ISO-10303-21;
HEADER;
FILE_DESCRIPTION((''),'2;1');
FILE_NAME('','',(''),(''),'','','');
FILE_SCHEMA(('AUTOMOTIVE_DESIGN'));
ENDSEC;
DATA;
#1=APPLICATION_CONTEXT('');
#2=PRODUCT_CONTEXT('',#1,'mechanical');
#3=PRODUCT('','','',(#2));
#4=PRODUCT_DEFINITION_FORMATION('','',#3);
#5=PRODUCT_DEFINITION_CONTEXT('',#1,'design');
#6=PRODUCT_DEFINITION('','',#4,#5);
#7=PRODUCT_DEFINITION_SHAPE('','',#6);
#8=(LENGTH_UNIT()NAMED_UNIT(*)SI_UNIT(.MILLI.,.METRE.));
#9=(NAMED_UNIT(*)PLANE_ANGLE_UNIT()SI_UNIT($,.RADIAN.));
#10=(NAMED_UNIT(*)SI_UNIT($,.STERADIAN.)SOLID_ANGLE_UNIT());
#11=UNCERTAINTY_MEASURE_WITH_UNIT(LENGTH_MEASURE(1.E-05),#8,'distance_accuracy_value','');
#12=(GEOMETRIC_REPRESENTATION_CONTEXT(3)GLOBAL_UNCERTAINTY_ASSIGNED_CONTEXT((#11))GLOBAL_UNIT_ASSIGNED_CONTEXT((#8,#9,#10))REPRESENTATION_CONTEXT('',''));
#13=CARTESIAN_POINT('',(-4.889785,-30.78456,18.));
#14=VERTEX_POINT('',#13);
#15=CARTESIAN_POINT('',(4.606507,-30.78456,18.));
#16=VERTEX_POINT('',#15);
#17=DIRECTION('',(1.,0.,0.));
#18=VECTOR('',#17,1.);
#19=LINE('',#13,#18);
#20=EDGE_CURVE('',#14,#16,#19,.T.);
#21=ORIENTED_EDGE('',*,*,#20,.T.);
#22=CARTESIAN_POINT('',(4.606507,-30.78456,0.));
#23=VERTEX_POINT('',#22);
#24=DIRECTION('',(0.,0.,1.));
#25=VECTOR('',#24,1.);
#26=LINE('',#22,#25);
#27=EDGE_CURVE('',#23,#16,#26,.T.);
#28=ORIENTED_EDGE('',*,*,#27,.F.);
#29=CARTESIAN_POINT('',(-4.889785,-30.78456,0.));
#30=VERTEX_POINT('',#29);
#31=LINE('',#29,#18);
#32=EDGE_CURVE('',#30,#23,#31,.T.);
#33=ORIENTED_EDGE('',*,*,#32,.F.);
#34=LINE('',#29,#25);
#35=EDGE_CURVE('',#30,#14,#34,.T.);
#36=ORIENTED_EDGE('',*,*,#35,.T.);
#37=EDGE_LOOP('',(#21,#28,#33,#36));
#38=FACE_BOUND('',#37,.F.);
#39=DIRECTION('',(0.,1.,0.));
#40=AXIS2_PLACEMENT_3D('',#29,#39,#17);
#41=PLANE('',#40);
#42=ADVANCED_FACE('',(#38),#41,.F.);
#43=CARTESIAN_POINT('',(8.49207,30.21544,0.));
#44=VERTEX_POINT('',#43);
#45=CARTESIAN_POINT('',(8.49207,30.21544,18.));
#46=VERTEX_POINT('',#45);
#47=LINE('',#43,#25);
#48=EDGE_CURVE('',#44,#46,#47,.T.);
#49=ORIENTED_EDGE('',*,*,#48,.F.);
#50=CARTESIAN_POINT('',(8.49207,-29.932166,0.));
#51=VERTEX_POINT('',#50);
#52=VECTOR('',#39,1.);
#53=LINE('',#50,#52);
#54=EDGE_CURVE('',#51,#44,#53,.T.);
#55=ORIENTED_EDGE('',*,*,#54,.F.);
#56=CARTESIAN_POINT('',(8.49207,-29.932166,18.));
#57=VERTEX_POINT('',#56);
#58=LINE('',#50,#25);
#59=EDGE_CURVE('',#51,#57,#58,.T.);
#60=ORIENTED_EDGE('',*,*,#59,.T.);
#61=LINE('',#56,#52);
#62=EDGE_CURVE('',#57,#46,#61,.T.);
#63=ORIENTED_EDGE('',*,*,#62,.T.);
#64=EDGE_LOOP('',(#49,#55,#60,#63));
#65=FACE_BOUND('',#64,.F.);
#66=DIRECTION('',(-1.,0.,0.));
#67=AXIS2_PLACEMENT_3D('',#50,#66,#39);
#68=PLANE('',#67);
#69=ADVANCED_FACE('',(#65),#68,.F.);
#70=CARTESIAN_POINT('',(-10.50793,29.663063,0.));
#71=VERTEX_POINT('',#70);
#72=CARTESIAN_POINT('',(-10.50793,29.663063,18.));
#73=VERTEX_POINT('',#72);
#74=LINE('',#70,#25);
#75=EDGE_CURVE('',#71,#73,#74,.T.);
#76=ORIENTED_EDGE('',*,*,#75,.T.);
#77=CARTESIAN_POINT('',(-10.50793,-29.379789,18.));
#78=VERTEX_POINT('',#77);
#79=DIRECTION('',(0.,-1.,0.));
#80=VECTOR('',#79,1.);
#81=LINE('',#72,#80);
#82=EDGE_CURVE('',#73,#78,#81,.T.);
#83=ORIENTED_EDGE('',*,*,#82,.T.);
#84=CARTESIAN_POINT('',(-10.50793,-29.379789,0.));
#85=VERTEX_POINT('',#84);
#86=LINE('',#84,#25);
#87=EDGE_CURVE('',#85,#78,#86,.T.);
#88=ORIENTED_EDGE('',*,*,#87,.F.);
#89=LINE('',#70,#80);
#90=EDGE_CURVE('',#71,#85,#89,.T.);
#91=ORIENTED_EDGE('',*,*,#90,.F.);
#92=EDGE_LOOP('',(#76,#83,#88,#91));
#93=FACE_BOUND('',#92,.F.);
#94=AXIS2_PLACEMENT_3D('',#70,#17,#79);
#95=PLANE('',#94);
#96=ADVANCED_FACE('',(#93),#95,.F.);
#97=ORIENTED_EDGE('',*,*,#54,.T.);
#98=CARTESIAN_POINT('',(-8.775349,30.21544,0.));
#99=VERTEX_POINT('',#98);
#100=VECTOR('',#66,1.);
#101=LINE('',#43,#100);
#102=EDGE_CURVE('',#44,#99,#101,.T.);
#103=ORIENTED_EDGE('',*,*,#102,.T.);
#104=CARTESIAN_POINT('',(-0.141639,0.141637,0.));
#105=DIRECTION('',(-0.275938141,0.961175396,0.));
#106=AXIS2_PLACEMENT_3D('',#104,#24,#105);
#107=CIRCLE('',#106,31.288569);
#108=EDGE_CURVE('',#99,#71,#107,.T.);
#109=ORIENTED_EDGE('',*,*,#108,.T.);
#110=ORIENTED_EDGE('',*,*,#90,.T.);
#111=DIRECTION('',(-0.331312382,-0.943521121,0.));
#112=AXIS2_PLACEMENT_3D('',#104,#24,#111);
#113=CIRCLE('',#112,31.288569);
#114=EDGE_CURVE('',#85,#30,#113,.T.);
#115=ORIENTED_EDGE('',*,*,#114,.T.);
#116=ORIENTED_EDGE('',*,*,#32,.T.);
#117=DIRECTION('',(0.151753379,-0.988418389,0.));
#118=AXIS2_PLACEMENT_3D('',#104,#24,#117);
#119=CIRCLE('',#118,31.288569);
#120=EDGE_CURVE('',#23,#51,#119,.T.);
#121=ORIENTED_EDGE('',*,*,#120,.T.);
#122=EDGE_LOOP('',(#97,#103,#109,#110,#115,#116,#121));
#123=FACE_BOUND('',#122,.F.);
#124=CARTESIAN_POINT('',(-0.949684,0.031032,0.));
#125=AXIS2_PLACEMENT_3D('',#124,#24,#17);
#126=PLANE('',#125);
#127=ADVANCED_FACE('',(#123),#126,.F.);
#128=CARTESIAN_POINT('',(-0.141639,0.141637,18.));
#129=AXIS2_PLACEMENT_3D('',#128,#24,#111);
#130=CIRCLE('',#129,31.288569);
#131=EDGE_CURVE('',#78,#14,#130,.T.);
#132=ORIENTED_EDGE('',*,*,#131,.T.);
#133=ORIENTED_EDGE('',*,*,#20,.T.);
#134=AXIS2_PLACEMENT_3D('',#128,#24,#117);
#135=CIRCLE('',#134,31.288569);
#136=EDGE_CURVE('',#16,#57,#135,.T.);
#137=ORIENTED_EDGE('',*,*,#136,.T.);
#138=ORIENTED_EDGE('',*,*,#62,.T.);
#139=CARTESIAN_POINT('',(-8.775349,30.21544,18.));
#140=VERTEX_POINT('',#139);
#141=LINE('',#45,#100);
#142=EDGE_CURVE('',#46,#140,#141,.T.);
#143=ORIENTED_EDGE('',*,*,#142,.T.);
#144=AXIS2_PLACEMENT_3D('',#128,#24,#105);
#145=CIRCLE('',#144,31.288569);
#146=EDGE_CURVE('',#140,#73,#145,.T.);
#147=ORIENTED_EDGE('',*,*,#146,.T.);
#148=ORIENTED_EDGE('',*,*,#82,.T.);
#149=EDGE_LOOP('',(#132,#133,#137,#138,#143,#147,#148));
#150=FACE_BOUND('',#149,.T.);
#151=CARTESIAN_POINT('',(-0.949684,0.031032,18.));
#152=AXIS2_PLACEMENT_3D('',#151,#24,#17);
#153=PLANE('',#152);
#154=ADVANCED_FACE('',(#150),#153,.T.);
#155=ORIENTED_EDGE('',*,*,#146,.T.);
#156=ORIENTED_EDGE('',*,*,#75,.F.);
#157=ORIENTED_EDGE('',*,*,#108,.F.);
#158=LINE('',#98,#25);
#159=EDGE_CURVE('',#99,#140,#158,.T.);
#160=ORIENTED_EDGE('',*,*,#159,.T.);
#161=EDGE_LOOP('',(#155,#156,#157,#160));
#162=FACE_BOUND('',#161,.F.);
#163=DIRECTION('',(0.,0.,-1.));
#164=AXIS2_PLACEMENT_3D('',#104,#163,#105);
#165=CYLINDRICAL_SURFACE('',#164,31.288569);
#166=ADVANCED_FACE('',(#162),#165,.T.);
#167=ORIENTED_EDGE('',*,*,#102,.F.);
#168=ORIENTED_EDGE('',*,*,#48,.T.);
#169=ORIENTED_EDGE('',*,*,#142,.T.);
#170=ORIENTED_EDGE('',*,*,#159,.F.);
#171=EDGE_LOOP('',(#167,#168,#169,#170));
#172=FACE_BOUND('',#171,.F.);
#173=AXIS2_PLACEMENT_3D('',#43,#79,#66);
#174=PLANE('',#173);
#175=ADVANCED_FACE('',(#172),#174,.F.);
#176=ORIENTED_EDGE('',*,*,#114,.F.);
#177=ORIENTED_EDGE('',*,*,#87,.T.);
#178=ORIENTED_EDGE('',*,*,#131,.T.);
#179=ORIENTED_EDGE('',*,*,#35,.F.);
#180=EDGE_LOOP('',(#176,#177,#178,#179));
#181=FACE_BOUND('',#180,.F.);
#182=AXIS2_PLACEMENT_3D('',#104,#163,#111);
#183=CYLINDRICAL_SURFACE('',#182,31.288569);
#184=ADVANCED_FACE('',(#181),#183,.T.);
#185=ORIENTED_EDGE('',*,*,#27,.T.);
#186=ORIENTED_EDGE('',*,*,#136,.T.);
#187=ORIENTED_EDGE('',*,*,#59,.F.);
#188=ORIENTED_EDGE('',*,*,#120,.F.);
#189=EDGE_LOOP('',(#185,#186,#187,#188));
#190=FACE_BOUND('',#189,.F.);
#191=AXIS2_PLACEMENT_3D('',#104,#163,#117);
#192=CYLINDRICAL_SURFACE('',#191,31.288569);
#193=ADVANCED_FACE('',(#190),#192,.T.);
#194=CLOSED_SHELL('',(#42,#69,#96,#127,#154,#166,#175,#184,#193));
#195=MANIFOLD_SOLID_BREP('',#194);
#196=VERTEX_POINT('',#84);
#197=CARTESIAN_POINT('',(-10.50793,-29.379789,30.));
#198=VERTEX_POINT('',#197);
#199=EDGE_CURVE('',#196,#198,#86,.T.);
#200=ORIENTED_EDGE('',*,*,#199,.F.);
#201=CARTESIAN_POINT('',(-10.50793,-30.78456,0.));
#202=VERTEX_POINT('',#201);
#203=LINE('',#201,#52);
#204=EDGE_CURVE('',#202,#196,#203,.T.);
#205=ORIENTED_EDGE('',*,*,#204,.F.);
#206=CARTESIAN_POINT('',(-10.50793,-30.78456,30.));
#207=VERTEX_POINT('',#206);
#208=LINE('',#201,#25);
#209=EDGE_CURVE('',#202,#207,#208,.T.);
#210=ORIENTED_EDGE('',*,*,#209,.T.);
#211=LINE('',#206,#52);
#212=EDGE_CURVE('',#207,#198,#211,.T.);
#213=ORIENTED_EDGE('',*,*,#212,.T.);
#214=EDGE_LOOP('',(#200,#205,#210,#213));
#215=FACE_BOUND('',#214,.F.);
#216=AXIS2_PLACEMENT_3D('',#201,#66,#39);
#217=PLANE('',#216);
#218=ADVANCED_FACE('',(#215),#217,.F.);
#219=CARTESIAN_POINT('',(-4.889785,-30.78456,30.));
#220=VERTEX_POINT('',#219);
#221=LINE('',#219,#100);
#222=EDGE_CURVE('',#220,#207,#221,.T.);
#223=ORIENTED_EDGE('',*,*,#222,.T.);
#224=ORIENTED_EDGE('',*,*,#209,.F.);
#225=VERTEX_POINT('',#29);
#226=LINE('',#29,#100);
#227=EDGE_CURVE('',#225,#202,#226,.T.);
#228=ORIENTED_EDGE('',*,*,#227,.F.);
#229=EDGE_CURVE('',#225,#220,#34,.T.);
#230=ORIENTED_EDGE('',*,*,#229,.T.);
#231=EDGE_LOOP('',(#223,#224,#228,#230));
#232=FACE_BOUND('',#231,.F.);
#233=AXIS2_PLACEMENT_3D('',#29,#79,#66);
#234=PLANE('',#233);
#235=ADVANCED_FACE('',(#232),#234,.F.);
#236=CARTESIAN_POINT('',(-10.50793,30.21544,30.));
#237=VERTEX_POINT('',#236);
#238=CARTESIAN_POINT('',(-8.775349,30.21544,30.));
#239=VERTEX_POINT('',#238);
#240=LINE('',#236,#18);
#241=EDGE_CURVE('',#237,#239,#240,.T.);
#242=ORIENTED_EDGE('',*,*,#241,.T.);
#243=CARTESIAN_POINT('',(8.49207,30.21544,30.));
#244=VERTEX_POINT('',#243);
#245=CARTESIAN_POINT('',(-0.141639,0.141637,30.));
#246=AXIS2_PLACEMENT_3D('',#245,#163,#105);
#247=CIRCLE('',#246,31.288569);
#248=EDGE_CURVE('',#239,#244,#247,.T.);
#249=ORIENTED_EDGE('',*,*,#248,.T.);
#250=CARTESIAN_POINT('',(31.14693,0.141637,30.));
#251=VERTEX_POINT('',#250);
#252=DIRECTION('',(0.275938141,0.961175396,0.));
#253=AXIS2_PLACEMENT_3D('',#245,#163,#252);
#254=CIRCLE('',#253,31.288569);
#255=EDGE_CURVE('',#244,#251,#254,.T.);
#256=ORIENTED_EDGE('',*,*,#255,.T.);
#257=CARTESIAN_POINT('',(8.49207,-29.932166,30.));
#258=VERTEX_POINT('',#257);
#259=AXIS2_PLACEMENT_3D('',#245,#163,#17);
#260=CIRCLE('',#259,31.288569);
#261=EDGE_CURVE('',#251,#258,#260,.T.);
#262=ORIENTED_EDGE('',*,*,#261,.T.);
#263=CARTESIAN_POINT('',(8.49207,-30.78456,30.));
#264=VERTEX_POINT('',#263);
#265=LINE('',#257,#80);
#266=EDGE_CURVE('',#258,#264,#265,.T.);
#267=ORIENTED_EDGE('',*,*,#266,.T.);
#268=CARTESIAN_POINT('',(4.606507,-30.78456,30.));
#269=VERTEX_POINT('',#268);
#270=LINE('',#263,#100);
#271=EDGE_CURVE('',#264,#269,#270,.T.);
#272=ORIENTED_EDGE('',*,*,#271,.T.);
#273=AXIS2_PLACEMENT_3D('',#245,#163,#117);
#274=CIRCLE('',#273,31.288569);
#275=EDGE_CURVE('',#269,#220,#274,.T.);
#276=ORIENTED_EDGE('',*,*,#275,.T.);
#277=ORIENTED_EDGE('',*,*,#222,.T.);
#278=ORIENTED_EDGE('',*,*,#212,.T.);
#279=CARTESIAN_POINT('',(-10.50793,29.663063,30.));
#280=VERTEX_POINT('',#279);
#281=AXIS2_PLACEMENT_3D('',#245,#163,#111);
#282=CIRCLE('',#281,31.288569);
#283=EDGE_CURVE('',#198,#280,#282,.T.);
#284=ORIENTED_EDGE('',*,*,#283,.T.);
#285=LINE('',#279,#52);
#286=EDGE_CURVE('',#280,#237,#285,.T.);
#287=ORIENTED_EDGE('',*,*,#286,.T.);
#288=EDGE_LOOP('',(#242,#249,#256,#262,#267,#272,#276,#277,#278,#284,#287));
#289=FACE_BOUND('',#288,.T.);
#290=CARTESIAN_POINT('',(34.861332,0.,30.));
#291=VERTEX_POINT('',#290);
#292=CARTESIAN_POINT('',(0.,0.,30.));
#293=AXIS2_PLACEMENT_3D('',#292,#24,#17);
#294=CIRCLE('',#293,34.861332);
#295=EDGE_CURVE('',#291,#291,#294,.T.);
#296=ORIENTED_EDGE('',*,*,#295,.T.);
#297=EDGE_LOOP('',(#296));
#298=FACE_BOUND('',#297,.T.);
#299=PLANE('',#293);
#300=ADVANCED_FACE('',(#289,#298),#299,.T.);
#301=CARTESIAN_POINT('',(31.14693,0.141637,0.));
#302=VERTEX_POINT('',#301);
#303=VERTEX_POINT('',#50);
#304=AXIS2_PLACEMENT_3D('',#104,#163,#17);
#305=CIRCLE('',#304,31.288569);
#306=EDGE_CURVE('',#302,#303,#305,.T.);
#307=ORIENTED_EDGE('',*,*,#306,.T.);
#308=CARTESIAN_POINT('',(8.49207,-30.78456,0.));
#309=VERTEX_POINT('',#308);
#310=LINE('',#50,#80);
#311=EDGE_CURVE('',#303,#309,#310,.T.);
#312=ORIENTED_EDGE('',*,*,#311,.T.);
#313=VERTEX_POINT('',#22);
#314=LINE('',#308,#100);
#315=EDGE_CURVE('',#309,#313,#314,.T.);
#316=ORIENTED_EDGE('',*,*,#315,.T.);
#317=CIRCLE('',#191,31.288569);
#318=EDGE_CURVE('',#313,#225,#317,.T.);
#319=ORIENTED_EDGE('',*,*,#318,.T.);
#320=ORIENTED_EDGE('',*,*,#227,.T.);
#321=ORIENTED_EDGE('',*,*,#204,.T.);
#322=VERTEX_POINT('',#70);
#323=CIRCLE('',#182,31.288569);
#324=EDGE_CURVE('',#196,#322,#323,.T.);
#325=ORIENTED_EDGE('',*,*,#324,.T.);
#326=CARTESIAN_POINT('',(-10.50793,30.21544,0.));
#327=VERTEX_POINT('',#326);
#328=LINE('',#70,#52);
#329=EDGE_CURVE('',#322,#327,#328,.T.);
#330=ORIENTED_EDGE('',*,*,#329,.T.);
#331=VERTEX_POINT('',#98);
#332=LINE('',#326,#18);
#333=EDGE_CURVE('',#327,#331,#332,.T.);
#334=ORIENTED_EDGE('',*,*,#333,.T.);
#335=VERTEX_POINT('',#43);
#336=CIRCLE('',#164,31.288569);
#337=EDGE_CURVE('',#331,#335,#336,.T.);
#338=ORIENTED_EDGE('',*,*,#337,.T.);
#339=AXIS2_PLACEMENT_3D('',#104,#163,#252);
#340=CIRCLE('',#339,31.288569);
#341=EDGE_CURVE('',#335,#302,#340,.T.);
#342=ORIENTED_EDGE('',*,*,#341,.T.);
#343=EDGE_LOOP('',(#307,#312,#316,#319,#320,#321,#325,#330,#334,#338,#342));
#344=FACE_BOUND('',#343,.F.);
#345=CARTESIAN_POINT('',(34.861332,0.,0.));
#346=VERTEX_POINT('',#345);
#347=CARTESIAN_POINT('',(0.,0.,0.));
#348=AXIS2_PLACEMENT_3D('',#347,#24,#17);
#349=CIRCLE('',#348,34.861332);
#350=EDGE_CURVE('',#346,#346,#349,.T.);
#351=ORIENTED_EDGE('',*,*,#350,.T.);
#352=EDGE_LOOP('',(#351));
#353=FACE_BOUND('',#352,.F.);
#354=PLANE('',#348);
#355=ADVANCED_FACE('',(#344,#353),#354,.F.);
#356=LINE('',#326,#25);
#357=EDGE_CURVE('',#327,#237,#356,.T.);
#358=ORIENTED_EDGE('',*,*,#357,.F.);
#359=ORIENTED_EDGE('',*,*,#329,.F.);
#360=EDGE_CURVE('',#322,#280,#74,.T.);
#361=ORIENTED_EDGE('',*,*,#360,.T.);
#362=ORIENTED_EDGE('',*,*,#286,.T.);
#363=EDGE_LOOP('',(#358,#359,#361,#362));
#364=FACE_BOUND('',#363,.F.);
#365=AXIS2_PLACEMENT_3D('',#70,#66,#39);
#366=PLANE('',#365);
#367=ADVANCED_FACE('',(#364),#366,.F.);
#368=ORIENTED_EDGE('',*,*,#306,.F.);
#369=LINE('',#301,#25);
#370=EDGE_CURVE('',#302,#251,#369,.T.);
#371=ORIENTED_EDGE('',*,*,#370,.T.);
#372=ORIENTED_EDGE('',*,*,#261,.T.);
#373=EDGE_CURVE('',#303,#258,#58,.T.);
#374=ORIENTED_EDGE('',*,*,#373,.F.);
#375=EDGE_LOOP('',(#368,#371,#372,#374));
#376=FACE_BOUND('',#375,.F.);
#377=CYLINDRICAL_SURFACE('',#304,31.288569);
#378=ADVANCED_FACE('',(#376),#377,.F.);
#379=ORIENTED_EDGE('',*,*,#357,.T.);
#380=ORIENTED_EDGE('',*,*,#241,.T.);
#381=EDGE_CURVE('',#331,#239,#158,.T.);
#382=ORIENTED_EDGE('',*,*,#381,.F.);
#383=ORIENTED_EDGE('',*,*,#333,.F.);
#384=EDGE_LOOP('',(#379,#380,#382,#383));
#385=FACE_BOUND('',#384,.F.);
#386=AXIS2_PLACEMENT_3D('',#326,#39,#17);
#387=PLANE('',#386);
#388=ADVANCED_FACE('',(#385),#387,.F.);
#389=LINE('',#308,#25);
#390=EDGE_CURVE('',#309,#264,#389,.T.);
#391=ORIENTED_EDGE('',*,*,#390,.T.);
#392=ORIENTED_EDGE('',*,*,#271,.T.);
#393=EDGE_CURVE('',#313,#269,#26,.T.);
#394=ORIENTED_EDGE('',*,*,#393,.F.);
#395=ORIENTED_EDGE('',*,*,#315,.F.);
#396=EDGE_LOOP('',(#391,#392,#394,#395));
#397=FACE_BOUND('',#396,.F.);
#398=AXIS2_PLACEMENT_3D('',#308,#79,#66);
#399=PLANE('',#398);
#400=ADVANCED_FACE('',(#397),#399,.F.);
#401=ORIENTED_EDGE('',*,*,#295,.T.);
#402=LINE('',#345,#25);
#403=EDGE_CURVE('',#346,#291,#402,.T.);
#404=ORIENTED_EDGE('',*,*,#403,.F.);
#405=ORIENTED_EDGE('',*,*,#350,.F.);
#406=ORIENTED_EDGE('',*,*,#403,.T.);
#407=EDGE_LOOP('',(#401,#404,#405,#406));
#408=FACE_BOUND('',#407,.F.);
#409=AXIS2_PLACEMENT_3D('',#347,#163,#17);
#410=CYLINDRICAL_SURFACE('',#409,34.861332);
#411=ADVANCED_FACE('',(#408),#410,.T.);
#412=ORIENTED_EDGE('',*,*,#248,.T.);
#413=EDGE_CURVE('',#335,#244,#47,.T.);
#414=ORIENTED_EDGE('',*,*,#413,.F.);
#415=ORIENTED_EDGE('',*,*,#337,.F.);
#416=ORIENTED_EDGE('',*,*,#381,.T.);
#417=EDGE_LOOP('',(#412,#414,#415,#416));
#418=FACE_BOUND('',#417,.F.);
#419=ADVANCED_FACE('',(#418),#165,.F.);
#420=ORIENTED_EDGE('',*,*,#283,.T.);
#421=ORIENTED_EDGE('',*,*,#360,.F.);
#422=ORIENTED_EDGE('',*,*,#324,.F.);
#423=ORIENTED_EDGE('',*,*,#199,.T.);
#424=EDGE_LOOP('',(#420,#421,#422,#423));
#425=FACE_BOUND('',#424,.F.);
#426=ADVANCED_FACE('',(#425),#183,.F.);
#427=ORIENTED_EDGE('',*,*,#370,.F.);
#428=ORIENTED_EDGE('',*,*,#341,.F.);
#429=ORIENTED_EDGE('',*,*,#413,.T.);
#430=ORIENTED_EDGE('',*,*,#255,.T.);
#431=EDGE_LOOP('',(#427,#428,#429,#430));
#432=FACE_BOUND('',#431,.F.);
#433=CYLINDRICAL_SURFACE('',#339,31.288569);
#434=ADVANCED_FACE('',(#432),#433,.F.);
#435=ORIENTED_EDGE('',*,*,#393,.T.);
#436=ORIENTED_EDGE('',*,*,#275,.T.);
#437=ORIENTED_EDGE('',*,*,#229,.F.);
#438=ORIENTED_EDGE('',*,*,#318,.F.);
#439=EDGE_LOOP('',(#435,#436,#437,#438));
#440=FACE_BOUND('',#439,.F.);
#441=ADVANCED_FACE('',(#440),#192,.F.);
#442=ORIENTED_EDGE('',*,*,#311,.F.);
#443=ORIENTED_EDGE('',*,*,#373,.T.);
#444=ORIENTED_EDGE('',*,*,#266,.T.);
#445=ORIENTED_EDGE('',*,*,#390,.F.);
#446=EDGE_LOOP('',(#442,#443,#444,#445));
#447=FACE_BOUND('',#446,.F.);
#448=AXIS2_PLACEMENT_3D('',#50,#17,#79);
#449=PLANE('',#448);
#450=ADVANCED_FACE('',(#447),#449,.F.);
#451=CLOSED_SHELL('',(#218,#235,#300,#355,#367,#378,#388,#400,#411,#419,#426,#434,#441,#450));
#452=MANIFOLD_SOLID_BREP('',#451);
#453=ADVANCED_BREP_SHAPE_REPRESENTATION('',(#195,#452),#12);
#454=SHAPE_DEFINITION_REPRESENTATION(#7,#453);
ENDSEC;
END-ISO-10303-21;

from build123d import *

# Parameters (mm, degrees)
F1_DEPTH = 18
F0_R     = 34.8613317239
F2_DEPTH = 30


with BuildPart() as f1:
    # F0 (on Top) → F1 (new body)
    with BuildSketch(Plane.XY):
        with BuildLine():
            Line((8.492070318, -29.9321661628), (8.492070318, 30.2154395654))
            Line((8.492070318, 30.2154395654), (-8.7753489302, 30.2154395654))
            ThreePointArc((-8.7753489302, 30.2154395654), (-9.6456531997, 29.9518410027), (-10.507929682, 29.6630625548))
            Line((-10.507929682, 29.6630625548), (-10.507929682, -29.3797891522))
            ThreePointArc((-10.507929682, -29.3797891522), (-7.731428039, -30.212434979), (-4.8897853962, -30.7845604346))
            Line((-4.8897853962, -30.7845604346), (4.606506784, -30.7845604346))
            ThreePointArc((4.606506784, -30.7845604346), (6.5628487122, -30.4201760884), (8.492070318, -29.9321661628))
        make_face()
    extrude(amount=F1_DEPTH)


with BuildPart() as f2:
    # F0 (on Top) → F2 (new body)
    with BuildSketch(Plane.XY):
        Circle(F0_R)
        with BuildLine():
            ThreePointArc((-8.7753489302, 30.2154395654), (-0.1416393061, 31.4302058693), (8.492070318, 30.2154395654))
            ThreePointArc((8.492070318, 30.2154395654), (24.849468926, 18.9676577869), (31.1469298619, 0.1416367013))
            ThreePointArc((31.1469298619, 0.1416367013), (24.849468926, -18.6843843843), (8.492070318, -29.9321661628))
            Line((8.492070318, -29.9321661628), (8.492070318, -30.7845604346))
            Line((8.492070318, -30.7845604346), (4.606506784, -30.7845604346))
            ThreePointArc((4.606506784, -30.7845604346), (-0.1416393061, -31.1469324667), (-4.8897853962, -30.7845604346))
            Line((-4.8897853962, -30.7845604346), (-10.507929682, -30.7845604346))
            Line((-10.507929682, -30.7845604346), (-10.507929682, -29.3797891522))
            ThreePointArc((-10.507929682, -29.3797891522), (-31.4302084741, 0.1416367013), (-10.507929682, 29.6630625548))
            Line((-10.507929682, 29.6630625548), (-10.507929682, 30.2154395654))
            Line((-10.507929682, 30.2154395654), (-8.7753489302, 30.2154395654))
        make_face(mode=Mode.SUBTRACT)
    extrude(amount=F2_DEPTH)


solid = Compound([f1.part, f2.part])
